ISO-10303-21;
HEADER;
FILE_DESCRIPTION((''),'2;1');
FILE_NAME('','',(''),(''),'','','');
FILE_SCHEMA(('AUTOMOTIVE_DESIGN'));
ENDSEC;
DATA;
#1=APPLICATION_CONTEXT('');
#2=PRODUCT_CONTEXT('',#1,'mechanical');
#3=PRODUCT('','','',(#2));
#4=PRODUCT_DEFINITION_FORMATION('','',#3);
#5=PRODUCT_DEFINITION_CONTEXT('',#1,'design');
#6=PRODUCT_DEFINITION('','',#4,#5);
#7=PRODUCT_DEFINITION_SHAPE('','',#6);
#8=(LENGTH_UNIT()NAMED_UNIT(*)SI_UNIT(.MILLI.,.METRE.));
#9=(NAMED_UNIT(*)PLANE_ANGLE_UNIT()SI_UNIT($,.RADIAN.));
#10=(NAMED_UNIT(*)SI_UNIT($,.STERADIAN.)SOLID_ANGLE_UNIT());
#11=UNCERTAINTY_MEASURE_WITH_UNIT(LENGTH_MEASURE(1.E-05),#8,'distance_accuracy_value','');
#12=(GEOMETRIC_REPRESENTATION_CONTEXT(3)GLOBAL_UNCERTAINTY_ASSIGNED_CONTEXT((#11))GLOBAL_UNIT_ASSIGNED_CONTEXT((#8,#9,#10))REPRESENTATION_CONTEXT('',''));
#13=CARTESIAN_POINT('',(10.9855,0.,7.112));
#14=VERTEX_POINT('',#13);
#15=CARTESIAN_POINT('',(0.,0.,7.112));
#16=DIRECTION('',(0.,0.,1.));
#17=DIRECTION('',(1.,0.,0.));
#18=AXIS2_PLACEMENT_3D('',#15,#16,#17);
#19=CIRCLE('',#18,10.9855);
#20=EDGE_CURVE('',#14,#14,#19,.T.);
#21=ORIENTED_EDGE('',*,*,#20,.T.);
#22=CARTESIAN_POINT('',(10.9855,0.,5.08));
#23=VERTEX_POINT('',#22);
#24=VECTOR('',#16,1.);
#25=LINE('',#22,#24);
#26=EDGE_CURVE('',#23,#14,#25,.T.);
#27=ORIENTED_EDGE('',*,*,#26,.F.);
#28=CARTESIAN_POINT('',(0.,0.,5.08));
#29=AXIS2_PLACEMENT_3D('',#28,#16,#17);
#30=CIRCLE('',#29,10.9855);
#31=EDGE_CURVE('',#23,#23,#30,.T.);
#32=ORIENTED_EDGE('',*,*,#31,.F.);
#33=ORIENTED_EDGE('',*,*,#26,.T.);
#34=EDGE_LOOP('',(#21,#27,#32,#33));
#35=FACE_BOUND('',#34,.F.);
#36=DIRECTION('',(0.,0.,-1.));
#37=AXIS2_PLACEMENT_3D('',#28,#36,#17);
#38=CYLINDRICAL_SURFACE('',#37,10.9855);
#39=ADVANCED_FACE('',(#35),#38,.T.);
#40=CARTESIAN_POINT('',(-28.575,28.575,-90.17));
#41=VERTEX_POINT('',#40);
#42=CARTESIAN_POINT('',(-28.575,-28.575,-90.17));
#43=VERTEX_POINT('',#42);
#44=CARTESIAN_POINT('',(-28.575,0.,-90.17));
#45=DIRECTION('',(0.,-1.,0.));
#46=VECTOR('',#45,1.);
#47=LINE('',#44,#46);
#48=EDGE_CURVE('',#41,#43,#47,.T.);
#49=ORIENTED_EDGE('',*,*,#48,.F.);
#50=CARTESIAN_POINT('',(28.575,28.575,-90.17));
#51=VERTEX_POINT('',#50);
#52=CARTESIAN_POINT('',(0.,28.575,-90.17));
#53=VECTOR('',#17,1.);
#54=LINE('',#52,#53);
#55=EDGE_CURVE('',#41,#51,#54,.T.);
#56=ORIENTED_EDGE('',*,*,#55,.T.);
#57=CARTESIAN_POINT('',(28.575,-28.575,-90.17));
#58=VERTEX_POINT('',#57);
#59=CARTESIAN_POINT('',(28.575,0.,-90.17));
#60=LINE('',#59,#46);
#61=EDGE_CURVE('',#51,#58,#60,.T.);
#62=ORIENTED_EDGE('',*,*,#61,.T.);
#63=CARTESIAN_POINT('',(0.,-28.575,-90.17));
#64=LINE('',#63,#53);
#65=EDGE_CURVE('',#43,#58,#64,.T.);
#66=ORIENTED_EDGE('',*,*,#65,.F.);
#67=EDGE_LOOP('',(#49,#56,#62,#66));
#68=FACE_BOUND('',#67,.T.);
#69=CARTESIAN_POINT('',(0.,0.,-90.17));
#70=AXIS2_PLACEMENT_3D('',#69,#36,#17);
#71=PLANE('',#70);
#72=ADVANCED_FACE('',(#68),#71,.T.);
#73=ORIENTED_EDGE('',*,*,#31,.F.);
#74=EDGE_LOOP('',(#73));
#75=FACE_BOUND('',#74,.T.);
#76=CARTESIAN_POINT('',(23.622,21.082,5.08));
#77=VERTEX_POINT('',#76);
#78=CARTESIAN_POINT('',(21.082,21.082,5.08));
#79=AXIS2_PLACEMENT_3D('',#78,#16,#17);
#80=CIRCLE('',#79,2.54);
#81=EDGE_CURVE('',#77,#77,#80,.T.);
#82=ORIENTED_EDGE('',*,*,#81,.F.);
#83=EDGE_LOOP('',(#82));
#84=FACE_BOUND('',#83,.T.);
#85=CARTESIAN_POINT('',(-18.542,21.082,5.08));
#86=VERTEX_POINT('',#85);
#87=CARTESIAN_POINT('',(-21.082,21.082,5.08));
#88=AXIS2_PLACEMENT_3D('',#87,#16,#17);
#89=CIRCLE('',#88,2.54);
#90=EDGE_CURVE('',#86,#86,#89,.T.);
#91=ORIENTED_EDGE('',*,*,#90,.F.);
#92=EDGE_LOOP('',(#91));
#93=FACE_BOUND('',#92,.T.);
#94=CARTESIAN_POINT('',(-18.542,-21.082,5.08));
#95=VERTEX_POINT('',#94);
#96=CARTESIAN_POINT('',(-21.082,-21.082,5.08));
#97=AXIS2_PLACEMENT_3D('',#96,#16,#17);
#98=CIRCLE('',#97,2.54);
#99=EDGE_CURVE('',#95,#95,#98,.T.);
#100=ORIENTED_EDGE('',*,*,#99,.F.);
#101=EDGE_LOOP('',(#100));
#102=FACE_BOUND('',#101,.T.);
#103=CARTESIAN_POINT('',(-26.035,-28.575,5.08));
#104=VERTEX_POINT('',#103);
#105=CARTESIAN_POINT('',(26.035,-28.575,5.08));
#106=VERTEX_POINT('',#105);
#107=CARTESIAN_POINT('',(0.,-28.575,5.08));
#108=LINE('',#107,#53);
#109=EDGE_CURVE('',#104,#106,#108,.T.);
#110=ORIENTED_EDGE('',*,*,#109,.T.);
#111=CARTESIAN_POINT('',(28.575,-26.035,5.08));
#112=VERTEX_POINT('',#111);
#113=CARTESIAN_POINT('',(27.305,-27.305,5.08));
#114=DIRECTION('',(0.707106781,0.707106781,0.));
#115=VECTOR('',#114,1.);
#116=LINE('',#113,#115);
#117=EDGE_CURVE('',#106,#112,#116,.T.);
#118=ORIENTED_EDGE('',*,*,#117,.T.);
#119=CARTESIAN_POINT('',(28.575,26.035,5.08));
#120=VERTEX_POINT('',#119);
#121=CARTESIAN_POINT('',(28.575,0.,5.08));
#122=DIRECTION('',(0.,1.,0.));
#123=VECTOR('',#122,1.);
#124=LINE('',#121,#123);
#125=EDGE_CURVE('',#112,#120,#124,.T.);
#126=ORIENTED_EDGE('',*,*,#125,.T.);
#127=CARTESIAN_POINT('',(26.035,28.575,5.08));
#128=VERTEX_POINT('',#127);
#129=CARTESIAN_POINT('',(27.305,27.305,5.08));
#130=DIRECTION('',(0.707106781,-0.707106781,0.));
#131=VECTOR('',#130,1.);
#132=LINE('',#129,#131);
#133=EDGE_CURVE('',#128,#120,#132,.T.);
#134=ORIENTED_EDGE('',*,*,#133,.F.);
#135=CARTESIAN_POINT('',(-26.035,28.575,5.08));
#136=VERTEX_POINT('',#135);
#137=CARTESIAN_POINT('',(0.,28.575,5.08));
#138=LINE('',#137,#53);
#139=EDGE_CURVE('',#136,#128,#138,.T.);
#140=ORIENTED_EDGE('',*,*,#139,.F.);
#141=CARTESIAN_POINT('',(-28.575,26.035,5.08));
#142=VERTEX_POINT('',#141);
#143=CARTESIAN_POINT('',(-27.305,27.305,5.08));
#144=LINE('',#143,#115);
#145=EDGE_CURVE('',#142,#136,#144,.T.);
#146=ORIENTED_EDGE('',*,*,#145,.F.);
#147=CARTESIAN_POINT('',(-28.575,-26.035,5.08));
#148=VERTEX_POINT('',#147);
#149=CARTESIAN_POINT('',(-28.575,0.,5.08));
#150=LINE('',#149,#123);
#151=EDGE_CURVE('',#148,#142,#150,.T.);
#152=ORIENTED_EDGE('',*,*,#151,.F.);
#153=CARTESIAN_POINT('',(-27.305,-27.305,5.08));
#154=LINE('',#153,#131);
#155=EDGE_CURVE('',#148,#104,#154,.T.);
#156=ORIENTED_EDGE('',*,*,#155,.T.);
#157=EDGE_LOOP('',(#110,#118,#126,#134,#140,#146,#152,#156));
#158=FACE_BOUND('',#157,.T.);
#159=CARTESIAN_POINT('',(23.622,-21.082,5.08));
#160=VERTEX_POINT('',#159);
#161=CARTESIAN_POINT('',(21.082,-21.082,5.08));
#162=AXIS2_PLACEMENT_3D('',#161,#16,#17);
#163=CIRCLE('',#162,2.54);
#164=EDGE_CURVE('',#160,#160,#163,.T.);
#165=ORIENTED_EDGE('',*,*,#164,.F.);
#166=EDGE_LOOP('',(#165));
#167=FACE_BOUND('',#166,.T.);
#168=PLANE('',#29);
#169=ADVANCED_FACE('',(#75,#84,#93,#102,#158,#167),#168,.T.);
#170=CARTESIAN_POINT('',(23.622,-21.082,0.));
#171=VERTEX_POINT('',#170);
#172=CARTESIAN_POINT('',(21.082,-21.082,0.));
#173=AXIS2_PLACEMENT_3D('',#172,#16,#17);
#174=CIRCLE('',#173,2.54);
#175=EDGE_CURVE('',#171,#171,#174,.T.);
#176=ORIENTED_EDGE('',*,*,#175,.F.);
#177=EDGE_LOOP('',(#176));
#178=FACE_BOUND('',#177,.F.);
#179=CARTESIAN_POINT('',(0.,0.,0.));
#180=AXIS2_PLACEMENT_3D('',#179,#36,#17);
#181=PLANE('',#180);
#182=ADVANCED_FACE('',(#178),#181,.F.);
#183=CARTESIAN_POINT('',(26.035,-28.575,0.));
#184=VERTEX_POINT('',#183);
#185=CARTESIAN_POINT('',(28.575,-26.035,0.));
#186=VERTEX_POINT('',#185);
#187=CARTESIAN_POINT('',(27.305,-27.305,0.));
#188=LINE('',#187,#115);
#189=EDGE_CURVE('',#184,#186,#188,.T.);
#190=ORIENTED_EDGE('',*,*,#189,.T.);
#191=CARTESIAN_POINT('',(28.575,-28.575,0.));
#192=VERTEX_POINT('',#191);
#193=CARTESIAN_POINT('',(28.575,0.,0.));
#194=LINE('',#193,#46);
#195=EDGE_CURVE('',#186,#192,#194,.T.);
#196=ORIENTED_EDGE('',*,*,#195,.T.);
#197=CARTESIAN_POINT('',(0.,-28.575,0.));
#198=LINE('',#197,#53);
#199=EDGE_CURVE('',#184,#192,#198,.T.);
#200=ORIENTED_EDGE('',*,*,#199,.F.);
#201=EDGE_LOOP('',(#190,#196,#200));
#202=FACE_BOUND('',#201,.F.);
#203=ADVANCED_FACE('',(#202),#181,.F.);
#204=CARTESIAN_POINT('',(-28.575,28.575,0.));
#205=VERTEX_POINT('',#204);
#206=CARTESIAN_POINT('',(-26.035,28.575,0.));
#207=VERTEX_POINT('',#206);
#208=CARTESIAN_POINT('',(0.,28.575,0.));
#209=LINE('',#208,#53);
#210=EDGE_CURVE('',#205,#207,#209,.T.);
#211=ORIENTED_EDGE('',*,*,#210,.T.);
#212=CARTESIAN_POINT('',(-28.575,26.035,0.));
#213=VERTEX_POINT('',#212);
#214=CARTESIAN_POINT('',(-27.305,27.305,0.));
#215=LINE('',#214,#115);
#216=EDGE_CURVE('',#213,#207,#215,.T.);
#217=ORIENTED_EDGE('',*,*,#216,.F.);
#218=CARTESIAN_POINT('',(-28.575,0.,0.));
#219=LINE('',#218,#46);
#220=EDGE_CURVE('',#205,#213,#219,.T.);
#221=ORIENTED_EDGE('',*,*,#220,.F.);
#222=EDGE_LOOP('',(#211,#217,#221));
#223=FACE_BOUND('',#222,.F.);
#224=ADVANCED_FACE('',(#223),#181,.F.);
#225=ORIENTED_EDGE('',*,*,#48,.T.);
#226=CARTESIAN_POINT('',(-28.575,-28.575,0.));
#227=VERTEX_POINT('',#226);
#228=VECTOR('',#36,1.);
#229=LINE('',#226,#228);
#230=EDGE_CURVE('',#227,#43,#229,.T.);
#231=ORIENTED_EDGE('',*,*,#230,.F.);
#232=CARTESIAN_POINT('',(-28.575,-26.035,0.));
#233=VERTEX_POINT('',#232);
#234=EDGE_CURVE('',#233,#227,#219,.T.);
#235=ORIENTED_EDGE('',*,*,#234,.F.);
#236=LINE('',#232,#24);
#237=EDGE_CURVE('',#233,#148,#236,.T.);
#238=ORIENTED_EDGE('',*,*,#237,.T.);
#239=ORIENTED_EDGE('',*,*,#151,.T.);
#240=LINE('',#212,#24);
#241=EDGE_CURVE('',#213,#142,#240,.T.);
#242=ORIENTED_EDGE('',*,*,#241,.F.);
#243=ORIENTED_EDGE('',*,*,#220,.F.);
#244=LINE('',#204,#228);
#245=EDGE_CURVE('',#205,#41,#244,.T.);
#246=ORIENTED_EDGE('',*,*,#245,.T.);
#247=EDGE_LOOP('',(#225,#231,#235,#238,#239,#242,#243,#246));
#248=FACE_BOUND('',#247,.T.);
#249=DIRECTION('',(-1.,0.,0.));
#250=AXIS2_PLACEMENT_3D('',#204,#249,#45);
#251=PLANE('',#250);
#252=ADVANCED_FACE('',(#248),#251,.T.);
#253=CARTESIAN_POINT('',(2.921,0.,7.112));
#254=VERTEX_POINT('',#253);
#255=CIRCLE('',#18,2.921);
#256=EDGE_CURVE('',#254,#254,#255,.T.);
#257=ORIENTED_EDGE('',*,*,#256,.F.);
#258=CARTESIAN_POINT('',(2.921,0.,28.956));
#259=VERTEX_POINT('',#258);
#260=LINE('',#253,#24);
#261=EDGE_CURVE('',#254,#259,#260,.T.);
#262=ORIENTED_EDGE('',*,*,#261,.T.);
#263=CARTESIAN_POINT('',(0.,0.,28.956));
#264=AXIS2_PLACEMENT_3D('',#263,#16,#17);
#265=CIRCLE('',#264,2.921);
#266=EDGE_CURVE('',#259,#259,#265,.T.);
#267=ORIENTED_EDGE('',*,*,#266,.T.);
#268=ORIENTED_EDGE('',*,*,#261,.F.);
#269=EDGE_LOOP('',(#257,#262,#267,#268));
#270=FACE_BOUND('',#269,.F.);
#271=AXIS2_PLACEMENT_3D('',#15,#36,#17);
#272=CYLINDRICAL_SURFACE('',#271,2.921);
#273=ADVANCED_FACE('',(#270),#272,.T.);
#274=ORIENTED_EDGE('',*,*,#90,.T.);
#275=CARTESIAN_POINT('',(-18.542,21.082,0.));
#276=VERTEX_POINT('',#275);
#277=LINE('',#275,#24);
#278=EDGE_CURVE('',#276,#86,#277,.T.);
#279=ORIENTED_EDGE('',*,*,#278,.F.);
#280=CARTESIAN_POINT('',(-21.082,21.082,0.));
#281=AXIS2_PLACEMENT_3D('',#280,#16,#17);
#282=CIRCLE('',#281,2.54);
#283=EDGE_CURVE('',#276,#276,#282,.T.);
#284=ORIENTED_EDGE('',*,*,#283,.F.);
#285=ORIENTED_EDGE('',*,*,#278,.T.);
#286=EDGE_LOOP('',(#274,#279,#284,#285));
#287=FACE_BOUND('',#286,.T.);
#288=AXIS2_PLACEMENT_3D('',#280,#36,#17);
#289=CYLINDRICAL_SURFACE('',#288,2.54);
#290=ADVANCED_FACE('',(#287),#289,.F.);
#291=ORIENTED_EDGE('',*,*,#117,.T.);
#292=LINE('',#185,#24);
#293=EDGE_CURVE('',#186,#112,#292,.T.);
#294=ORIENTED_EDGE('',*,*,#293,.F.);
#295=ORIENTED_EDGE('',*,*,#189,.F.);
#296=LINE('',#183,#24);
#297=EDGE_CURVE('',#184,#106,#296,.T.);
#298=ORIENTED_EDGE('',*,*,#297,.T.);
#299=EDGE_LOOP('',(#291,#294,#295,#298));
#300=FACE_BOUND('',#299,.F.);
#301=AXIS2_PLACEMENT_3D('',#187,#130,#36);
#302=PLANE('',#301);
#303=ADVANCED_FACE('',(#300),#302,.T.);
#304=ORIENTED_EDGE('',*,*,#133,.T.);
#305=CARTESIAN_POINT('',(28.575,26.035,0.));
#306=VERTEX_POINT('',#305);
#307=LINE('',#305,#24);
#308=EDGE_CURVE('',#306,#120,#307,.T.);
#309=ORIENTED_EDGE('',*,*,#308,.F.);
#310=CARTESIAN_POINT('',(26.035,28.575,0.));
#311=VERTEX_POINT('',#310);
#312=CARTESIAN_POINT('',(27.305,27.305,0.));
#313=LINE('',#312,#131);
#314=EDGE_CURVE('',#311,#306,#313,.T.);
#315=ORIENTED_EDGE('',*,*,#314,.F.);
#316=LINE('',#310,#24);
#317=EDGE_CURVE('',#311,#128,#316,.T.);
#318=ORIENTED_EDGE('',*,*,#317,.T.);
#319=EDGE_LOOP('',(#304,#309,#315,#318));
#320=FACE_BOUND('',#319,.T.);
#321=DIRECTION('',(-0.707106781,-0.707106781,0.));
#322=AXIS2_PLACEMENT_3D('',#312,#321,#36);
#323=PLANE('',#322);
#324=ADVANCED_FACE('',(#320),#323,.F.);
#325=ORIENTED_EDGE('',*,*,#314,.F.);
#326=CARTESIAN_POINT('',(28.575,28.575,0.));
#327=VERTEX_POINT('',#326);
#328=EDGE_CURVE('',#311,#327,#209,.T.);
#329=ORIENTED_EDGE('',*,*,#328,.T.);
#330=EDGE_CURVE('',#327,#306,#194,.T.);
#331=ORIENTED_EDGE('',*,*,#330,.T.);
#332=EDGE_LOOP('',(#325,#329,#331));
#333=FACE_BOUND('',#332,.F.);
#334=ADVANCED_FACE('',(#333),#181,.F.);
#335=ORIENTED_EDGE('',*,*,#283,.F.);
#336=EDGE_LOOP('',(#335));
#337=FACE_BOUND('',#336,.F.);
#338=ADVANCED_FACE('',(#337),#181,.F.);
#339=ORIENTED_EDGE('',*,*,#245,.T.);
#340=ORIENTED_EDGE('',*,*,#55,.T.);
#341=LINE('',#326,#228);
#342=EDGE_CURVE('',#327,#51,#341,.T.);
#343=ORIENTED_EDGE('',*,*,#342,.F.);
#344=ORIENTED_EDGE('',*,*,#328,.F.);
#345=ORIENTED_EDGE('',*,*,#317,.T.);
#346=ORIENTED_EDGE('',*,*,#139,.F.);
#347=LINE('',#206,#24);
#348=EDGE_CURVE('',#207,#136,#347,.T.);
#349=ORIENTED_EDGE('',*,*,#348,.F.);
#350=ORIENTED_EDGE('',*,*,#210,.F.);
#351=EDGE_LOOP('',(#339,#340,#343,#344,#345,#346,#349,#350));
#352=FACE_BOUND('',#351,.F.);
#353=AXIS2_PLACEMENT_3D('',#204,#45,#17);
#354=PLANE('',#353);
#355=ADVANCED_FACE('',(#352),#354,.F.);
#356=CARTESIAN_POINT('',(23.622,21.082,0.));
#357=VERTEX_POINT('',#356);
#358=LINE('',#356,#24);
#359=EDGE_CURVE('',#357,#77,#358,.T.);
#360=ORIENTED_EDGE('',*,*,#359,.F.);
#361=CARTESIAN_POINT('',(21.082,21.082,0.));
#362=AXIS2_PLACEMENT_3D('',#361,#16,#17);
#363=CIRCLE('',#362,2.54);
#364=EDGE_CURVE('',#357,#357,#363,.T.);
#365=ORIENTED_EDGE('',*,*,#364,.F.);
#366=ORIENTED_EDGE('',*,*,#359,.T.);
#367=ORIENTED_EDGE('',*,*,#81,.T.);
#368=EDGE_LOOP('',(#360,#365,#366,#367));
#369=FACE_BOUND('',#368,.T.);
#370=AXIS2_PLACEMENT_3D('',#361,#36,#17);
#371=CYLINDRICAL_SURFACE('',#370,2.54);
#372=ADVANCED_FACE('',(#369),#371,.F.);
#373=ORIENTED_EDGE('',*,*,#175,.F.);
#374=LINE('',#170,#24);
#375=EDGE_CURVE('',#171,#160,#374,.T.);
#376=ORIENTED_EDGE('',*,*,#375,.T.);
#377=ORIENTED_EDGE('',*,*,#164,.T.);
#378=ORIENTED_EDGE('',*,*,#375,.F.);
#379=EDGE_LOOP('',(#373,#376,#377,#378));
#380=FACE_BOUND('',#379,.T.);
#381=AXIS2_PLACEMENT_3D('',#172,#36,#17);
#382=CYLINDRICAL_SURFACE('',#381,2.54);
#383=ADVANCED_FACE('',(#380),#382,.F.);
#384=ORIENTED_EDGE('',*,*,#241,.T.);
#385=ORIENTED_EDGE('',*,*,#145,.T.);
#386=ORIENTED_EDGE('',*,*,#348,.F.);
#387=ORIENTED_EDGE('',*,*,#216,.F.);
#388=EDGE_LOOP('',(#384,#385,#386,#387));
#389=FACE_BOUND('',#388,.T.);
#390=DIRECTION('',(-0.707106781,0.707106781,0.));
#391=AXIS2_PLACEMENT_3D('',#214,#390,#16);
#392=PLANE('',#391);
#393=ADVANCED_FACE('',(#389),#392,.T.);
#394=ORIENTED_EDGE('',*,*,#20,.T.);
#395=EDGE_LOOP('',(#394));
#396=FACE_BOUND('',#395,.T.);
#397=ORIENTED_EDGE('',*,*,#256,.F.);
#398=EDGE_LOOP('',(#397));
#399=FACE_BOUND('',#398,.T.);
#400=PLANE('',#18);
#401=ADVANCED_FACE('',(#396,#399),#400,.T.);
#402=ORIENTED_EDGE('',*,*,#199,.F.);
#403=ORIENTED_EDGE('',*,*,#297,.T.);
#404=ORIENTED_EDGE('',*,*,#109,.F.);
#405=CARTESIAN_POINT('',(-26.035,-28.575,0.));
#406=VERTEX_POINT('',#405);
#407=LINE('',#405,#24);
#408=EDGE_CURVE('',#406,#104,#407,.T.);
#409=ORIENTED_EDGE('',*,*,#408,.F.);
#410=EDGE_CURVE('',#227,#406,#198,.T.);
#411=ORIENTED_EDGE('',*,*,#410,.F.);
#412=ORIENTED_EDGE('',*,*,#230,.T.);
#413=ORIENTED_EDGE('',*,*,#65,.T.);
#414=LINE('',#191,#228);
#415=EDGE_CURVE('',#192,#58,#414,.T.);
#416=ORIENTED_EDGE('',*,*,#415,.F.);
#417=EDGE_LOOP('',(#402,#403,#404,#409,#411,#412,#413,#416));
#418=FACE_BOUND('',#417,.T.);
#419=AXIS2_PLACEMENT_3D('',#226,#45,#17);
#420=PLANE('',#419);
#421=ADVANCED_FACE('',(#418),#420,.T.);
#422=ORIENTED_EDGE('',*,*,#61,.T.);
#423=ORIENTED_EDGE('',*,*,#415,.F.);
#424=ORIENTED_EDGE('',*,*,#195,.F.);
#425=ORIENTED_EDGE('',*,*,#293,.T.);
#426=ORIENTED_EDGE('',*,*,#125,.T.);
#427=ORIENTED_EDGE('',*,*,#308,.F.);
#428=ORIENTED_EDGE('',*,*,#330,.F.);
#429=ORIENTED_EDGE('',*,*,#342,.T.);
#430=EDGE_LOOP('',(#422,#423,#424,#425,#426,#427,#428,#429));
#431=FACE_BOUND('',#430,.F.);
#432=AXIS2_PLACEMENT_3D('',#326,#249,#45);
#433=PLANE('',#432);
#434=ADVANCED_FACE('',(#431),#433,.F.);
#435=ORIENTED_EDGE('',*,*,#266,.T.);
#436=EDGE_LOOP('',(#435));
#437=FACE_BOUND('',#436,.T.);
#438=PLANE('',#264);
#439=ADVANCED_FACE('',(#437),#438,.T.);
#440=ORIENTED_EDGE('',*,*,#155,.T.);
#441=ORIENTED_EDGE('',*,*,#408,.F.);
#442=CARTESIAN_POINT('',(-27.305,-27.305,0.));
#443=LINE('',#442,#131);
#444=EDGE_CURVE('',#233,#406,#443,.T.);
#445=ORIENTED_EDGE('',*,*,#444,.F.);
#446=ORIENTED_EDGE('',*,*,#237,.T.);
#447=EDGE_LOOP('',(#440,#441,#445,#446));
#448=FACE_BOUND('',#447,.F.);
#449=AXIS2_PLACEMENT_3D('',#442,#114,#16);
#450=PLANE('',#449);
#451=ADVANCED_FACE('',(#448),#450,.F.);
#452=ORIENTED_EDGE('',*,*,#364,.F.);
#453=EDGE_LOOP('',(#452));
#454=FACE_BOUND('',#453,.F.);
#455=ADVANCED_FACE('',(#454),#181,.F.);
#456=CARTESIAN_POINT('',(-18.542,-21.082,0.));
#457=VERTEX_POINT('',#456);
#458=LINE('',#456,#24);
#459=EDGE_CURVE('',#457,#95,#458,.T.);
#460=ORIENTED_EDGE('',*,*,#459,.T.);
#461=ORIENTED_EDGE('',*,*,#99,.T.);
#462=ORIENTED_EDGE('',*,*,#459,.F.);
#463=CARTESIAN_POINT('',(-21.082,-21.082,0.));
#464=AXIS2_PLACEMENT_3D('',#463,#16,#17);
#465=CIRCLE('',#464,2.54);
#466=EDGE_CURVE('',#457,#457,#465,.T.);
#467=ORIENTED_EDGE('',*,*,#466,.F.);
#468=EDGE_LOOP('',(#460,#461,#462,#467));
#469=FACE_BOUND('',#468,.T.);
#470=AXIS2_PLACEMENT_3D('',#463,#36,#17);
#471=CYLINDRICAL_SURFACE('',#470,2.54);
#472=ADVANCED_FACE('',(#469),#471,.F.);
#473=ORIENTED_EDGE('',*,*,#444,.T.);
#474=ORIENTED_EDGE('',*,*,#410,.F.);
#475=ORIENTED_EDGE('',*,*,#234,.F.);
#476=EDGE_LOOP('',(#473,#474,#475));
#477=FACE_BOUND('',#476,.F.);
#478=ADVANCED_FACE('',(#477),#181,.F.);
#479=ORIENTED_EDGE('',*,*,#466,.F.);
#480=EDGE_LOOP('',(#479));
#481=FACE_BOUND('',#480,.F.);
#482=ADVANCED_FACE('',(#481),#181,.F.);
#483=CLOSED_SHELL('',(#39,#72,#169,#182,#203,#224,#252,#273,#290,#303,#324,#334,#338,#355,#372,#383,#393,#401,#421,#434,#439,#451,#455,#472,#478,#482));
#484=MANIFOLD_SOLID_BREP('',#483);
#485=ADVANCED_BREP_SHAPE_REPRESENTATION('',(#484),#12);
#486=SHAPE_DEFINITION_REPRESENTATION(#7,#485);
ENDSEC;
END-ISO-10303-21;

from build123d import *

# Parameters (mm, degrees)
F0_W     = 57.15
F0_H     = 57.15
F0_R     = 2.54
F1_DEPTH = 5.08
F2_SIZE  = 2.54
F3_W     = 57.15
F3_H     = 57.15
F4_DEPTH = 90.17
F5_R     = 10.9855
F6_DEPTH = 2.032
F7_R     = 2.921
F8_DEPTH = 21.844


with BuildPart() as f1:
    # F0 (on Top) → F1 (new body)
    with BuildSketch(Plane.XY):
        Rectangle(F0_W, F0_H)
        with Locations((-21.082, -21.082)):
            Circle(F0_R, mode=Mode.SUBTRACT)
        with Locations((21.082, -21.082)):
            Circle(F0_R, mode=Mode.SUBTRACT)
        with Locations((-21.082, 21.082)):
            Circle(F0_R, mode=Mode.SUBTRACT)
        with Locations((21.082, 21.082)):
            Circle(F0_R, mode=Mode.SUBTRACT)
    extrude(amount=F1_DEPTH)

    # F2
    f2_edges = [f1.edges().sort_by_distance(p)[0] for p in [
        (-28.575, 28.575, 2.54),
        (28.575, 28.575, 2.54),
        (28.575, -28.575, 2.54),
        (-28.575, -28.575, 2.54),
    ]]
    chamfer(f2_edges, length=F2_SIZE)

    # F3 (on face) → F4 (join)
    with BuildSketch(Plane(origin=(0, 0, 0), x_dir=(1, 0, 0), z_dir=(0, 0, -1))):
        Rectangle(F3_W, F3_H)
    extrude(amount=F4_DEPTH)

    # F5 (on face) → F6 (join)
    with BuildSketch(Plane.XY.offset(5.08)):
        Circle(F5_R)
    extrude(amount=F6_DEPTH)

    # F7 (on face) → F8 (join)
    with BuildSketch(Plane.XY.offset(7.112)):
        Circle(F7_R)
    extrude(amount=F8_DEPTH)


solid = f1.part
